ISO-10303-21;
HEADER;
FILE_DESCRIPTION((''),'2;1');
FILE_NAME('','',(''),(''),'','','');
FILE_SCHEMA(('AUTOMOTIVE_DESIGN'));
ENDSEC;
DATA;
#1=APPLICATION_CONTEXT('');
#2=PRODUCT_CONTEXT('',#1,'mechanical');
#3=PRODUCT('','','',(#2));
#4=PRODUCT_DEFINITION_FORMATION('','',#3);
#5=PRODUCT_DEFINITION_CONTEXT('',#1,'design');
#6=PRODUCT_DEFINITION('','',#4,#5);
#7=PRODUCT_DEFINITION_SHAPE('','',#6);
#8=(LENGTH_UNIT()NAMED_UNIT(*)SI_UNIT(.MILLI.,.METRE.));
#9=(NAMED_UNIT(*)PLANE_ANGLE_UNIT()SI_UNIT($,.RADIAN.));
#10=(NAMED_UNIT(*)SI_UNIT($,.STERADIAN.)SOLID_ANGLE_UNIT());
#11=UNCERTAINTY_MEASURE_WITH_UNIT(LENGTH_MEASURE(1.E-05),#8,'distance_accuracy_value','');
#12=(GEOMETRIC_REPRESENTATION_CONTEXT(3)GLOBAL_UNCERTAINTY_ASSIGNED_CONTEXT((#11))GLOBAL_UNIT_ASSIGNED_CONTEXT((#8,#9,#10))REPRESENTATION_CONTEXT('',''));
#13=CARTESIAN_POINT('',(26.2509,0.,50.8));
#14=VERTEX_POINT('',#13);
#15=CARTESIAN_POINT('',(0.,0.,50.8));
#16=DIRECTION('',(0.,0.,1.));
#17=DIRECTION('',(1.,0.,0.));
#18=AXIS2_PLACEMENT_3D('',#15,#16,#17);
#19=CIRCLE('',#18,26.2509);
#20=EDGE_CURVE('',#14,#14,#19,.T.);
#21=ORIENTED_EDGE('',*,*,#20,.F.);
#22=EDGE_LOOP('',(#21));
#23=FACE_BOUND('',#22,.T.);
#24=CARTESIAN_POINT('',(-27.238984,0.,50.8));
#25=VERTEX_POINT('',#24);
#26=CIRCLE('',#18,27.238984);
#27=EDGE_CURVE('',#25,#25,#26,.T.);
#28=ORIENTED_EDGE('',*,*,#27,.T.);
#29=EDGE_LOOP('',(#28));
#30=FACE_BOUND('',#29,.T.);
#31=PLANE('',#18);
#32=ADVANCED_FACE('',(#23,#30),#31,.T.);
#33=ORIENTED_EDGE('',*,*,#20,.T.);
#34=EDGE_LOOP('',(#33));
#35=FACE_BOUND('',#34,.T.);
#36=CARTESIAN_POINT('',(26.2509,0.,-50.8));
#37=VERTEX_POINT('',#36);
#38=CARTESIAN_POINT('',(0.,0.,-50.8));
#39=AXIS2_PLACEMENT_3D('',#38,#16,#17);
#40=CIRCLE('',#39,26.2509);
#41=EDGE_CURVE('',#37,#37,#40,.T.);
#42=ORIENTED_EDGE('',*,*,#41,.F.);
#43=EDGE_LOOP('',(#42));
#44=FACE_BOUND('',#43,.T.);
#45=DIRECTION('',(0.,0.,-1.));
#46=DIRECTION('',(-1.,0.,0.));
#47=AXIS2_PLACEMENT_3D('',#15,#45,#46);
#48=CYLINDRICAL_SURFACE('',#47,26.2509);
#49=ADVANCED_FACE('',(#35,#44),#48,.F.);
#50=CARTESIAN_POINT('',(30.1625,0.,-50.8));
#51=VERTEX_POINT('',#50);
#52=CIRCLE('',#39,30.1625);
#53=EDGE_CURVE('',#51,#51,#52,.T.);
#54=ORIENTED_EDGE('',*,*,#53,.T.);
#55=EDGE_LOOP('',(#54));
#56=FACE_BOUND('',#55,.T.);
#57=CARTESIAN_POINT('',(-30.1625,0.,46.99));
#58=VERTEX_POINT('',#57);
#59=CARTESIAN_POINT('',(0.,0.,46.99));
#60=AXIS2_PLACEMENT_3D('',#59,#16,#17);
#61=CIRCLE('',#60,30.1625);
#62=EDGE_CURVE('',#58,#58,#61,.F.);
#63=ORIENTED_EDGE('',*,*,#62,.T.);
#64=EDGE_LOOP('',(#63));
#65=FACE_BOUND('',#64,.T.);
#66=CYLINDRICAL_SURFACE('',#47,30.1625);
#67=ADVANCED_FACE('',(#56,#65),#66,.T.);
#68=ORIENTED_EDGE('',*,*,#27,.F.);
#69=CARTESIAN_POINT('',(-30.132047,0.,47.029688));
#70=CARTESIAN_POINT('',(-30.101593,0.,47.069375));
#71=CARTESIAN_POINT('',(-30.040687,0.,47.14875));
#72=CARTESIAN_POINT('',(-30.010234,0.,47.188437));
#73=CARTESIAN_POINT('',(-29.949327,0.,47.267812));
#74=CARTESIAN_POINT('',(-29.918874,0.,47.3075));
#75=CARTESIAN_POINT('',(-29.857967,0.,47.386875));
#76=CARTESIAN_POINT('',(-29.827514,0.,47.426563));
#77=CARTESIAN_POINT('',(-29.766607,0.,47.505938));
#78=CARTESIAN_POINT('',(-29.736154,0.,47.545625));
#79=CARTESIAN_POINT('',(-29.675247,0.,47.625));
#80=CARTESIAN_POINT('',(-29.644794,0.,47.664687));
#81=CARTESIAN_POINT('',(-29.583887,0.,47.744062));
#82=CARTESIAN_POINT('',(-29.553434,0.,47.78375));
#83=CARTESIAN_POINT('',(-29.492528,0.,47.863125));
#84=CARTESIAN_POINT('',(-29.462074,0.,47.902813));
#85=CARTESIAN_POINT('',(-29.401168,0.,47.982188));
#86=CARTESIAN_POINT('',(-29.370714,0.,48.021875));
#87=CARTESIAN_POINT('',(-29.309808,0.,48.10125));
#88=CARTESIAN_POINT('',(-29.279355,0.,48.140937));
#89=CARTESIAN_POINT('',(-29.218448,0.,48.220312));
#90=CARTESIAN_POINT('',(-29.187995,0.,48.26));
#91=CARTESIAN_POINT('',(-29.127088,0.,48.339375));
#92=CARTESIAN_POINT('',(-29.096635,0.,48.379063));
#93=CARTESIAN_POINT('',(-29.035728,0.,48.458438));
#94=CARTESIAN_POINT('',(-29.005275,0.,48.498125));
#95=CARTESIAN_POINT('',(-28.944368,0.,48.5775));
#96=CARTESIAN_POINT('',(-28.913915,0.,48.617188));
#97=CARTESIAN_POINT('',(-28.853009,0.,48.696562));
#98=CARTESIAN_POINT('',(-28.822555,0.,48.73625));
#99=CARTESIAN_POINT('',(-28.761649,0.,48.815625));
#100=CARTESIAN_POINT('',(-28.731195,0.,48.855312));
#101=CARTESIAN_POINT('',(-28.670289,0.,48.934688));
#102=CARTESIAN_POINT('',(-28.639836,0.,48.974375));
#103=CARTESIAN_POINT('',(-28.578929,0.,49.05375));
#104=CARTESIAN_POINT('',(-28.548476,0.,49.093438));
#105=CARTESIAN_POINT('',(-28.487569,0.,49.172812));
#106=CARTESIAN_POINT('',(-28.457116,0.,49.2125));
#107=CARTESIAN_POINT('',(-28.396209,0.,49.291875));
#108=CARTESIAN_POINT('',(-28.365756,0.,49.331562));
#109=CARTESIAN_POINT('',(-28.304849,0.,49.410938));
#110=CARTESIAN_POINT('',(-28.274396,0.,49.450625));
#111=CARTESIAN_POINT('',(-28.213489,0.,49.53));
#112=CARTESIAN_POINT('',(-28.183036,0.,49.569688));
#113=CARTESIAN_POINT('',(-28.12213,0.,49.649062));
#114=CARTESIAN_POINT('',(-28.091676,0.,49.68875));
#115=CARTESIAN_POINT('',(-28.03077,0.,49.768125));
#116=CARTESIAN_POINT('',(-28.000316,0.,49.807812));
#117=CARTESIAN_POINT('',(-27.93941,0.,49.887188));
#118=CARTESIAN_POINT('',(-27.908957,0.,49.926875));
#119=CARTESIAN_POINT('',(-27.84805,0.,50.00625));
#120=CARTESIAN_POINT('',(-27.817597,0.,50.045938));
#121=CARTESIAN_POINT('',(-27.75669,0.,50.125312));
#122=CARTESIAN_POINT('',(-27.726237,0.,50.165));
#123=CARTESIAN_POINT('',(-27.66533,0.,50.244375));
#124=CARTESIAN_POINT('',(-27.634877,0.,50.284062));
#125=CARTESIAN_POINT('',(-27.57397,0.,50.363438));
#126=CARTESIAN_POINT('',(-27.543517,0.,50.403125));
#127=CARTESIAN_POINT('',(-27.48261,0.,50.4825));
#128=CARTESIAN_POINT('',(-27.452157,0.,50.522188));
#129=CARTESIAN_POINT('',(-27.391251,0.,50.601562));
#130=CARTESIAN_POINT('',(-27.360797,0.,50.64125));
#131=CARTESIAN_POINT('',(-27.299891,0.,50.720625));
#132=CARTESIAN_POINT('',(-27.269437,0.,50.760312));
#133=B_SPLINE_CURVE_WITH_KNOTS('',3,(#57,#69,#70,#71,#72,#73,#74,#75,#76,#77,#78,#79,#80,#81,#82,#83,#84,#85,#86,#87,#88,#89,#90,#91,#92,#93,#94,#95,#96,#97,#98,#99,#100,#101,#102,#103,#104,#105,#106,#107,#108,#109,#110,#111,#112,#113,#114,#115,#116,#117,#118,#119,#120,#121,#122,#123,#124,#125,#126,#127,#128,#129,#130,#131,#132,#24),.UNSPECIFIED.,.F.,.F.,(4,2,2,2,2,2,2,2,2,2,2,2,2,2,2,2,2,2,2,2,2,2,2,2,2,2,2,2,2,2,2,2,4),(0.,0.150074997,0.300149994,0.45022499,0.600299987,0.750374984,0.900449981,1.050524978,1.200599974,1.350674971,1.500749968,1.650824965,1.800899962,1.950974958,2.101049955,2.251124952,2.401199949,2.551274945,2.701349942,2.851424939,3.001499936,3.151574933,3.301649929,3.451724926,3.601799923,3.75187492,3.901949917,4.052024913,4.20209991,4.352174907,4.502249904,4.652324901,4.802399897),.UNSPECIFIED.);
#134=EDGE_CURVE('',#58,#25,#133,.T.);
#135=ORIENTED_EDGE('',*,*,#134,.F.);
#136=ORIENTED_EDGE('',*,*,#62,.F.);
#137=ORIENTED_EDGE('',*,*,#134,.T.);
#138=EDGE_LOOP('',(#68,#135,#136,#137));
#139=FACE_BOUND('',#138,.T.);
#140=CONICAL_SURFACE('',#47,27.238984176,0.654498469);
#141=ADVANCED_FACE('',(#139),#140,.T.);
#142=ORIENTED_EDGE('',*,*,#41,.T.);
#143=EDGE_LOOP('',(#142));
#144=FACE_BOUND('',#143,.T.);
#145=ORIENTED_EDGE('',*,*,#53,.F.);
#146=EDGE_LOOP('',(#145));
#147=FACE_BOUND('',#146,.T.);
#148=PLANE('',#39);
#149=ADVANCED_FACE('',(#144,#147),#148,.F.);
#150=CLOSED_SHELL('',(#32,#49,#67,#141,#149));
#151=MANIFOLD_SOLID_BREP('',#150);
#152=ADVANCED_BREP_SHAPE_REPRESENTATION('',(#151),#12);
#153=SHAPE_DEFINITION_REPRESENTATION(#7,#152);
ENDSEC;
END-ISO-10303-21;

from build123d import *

# Parameters (mm, degrees)
SKETCH1_R      = 30.1625
SKETCH1_R_2    = 26.2509
EXTRUDE1_DEPTH = 50.8
CHAMFER3_SIZE  = 3.81
CHAMFER3_SIZE2 = 2.923515824


with BuildPart() as part:
    # Sketch1 → Extrude1 (new, symmetric)
    with BuildSketch(Plane.XY):
        Circle(SKETCH1_R)
        Circle(SKETCH1_R_2, mode=Mode.SUBTRACT)
    extrude(amount=EXTRUDE1_DEPTH, both=True)

    # Chamfer3
    chamfer3_edges = [part.edges().sort_by_distance(p)[0] for p in [
        (-30.1625, 0, 50.8),
    ]]
    chamfer3_side = [part.faces().sort_by_distance(p)[0] for p in [
        (-30.1625, 0, 0),
    ]]
    chamfer(chamfer3_edges, length=CHAMFER3_SIZE, length2=CHAMFER3_SIZE2, reference=chamfer3_side[0])


solid = part.part
